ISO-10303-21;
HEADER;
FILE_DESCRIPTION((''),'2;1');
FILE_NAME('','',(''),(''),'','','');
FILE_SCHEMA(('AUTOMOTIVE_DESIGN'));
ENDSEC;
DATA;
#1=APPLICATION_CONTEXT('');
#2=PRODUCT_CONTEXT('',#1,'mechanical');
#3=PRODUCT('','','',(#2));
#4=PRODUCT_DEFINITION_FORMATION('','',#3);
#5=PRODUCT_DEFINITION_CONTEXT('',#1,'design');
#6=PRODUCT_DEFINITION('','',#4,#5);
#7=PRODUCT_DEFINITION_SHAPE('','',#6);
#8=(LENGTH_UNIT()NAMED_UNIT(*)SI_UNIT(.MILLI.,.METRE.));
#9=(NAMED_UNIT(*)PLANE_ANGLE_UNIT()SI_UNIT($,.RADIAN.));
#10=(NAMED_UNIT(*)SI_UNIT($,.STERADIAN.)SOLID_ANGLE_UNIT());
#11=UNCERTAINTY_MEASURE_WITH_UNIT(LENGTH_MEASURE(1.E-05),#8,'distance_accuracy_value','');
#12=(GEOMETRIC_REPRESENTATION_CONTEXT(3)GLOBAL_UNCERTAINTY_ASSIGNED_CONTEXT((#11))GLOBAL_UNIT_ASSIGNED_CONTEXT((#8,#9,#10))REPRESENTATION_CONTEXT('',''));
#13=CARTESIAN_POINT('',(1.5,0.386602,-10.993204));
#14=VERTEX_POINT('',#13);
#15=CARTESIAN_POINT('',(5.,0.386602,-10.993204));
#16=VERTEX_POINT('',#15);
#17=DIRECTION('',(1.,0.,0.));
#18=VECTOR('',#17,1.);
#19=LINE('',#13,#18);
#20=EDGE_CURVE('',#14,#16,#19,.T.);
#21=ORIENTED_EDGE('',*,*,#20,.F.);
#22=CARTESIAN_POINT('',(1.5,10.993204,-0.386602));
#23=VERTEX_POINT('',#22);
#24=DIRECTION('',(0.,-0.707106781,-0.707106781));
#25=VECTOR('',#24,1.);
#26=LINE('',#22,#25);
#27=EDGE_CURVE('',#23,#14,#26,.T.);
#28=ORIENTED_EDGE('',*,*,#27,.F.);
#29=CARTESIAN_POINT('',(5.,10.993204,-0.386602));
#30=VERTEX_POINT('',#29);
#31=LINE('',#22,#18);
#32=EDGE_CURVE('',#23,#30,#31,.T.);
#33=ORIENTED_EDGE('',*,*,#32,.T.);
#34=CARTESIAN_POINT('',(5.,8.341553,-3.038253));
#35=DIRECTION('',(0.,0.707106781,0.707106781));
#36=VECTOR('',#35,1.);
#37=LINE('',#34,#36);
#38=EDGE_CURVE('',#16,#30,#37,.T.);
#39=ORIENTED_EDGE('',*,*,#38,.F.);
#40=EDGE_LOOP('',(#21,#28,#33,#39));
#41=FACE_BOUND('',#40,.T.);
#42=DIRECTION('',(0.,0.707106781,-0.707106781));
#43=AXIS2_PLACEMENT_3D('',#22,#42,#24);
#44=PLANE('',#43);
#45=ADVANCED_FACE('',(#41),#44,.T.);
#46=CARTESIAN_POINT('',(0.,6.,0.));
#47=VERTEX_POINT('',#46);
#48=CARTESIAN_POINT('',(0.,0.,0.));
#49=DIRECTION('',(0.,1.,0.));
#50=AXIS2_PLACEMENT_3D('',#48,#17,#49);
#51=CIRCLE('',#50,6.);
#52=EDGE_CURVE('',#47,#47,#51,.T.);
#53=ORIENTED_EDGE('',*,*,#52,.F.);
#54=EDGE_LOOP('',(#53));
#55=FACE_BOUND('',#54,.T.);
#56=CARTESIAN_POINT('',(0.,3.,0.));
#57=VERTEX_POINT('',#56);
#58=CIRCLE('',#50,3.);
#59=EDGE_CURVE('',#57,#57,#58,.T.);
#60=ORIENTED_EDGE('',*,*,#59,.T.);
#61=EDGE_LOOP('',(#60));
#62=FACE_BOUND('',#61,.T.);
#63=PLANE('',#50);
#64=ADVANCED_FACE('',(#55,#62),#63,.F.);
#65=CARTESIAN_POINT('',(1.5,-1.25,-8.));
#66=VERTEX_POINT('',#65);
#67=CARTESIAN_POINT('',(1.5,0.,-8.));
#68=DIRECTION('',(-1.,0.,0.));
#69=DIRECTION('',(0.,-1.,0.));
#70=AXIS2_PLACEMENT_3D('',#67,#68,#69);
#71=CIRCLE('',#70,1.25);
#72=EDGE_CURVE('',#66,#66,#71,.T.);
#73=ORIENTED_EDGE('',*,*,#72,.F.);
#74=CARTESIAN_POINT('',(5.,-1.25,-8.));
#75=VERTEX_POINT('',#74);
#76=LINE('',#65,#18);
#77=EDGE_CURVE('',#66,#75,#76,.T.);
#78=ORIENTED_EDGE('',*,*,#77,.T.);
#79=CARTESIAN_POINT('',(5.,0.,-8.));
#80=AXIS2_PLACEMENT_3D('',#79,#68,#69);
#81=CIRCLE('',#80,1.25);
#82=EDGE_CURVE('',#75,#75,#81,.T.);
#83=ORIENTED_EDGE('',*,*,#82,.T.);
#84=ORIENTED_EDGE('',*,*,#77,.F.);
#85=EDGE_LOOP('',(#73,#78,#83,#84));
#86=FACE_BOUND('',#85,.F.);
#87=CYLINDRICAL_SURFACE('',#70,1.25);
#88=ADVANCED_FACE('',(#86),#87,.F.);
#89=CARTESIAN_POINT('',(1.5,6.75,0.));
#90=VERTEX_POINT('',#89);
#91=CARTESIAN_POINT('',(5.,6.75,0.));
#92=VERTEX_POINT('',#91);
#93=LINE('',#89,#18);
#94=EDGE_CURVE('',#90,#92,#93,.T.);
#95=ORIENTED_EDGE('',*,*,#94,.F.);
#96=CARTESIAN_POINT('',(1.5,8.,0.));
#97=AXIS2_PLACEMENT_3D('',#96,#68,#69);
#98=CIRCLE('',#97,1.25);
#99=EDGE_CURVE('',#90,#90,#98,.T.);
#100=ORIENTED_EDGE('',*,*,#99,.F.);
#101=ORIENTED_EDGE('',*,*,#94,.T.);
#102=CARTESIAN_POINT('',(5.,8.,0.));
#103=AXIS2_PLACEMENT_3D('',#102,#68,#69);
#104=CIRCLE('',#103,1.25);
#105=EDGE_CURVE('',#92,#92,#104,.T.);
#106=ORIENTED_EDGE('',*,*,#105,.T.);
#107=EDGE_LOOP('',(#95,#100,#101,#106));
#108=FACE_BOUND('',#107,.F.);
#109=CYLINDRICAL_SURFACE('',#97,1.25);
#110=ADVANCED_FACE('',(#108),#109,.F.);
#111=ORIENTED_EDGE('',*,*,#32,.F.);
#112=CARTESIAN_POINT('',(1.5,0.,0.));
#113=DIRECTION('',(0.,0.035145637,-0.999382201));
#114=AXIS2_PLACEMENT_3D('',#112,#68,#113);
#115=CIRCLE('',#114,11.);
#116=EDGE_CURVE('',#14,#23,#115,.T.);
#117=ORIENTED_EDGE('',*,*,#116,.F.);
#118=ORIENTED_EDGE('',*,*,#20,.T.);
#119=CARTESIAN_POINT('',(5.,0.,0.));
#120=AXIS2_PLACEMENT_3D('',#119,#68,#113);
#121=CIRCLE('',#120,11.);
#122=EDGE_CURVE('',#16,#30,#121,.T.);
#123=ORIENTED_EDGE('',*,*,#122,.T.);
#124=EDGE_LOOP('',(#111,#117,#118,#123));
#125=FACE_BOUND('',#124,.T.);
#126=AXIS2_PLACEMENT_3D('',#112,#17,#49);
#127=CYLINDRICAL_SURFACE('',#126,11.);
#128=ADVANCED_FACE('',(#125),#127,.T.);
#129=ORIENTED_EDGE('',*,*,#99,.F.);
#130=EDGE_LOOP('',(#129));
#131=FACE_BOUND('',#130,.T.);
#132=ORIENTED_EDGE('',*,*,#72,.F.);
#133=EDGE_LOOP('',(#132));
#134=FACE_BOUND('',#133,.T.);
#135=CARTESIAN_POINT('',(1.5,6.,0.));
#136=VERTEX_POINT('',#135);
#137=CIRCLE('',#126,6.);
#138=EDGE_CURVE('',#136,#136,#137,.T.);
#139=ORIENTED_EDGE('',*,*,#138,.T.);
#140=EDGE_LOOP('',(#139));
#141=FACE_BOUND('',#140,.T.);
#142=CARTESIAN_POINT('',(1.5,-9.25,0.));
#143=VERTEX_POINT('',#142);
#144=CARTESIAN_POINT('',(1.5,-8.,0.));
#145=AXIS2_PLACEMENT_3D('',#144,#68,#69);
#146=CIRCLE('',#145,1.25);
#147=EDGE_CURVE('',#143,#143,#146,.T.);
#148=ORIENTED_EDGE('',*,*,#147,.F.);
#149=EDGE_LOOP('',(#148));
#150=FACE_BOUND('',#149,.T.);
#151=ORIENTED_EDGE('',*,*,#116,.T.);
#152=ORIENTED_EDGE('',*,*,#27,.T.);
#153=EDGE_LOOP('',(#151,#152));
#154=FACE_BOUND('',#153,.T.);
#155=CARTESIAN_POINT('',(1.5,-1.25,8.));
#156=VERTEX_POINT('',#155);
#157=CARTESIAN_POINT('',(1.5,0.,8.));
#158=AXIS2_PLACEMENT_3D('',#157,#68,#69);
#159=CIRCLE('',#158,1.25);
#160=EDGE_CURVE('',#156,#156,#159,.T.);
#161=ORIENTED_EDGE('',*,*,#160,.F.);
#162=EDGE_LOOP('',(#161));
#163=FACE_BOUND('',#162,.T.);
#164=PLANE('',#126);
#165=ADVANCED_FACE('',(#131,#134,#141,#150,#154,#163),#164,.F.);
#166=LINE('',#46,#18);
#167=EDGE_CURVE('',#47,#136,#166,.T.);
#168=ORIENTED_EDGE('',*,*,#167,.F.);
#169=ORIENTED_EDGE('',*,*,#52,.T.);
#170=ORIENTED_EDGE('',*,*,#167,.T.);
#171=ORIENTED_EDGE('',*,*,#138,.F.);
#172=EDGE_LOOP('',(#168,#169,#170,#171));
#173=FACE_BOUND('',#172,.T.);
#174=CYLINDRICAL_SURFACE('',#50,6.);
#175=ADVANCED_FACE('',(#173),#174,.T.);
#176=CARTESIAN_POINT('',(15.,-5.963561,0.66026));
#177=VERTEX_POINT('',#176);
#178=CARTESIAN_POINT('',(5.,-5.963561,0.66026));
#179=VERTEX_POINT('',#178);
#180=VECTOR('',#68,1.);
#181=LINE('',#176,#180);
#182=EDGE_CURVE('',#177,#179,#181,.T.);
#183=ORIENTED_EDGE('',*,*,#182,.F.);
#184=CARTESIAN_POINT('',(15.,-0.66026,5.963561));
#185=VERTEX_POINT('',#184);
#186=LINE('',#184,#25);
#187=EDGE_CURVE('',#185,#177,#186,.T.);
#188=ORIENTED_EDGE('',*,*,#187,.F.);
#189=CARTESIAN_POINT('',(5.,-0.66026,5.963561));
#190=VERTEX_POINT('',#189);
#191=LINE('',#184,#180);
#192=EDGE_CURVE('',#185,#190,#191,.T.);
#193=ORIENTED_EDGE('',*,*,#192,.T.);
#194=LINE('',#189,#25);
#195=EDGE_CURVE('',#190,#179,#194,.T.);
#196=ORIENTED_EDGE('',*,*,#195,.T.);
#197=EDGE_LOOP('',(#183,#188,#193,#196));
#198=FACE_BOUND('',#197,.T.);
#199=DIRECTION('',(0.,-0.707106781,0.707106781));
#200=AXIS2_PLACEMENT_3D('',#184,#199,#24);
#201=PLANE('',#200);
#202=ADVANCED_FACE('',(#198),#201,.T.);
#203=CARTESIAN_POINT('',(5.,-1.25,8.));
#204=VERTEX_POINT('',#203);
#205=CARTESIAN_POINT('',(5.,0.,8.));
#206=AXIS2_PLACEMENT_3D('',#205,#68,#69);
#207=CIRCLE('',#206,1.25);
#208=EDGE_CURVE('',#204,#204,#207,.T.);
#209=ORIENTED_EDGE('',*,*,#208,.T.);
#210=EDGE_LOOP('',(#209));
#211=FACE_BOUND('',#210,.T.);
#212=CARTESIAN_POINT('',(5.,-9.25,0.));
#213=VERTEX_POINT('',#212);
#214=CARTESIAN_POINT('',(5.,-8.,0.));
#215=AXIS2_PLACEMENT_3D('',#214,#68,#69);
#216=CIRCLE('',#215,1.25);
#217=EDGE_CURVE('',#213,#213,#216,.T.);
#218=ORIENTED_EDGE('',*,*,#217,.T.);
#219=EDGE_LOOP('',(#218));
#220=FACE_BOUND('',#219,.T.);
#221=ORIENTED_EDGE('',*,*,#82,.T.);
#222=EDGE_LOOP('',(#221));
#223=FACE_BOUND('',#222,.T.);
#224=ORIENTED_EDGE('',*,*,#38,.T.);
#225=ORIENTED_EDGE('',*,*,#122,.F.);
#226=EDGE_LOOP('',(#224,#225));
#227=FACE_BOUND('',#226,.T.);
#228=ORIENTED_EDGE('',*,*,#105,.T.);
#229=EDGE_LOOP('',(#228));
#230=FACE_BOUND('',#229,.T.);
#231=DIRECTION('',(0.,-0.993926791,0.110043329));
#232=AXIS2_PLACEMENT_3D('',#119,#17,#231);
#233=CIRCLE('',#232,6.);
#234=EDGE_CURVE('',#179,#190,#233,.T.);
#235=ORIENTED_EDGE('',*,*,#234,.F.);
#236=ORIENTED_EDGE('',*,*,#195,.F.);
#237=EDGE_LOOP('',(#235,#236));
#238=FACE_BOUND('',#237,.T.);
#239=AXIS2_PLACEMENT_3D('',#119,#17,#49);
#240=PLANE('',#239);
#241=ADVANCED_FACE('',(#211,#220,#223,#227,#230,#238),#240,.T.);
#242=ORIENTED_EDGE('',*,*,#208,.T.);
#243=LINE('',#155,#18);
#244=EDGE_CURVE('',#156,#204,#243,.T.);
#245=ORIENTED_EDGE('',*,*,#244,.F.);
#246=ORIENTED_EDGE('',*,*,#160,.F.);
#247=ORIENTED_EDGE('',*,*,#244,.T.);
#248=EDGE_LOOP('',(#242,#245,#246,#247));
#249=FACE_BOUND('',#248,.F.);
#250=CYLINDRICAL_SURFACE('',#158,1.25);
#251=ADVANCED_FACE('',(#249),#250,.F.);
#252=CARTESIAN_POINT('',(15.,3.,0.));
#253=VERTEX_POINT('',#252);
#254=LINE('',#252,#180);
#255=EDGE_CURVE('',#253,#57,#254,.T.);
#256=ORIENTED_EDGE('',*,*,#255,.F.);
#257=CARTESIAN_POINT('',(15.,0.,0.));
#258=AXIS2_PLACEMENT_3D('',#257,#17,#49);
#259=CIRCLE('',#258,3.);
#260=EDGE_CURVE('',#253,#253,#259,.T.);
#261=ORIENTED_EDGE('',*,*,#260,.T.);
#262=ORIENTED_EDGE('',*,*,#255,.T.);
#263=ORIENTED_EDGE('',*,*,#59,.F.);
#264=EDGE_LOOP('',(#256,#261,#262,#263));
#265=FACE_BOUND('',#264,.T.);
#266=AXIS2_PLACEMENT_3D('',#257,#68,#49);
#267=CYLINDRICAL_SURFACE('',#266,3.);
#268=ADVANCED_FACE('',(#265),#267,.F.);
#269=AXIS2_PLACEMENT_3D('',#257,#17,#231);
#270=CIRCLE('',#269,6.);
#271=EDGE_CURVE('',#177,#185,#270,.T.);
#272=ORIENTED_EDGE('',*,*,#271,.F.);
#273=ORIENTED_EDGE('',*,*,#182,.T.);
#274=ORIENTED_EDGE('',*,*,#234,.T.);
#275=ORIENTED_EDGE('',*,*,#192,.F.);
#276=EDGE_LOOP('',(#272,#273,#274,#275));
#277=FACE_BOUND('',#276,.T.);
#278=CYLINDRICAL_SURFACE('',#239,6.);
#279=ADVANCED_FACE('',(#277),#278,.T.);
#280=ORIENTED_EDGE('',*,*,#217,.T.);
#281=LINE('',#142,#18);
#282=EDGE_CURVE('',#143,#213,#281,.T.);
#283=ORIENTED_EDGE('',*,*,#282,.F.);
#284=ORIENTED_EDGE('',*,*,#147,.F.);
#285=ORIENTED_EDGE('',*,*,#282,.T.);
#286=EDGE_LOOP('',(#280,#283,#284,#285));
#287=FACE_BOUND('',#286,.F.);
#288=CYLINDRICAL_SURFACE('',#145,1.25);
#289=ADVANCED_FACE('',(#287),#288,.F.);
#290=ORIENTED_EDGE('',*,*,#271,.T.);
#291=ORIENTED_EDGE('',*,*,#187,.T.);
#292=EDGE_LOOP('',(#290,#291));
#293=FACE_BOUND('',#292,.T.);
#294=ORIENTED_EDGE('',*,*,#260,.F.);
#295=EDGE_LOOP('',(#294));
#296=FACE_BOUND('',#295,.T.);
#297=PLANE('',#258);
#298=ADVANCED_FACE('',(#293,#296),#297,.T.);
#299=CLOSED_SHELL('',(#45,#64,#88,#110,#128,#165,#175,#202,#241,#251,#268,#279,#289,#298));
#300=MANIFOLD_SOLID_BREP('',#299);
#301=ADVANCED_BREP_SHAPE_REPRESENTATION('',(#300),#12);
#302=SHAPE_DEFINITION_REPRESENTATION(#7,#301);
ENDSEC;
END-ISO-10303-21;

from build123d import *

# Parameters (mm, degrees)
SKETCH001_R     = 1.25
POCKET_DEPTH    = 5
POCKET001_DEPTH = 5
POCKET002_DEPTH = 10


with BuildPart() as part:
    # Sketch → Revolution (revolve)
    with BuildSketch(Plane.XY):
        Polygon((0, 3), (0, 6), (1.5, 6), (1.5, 11), (5, 11), (5, 6), (15, 6), (15, 3), align=None)
    revolve(axis=Axis((0, 0, 0), (1, 0, 0)))

    # Sketch001 (on Face3 of Revolution) → Pocket (cut)
    with BuildSketch(Plane(origin=(1.5, 0, 0), x_dir=(0, -1, 0), z_dir=(-1, 0, 0))):
        with Locations((0, 8)):
            Circle(SKETCH001_R)
        with Locations((-8, 0)):
            Circle(SKETCH001_R)
        with Locations((8, 0)):
            Circle(SKETCH001_R)
        with Locations((0, -8)):
            Circle(SKETCH001_R)
    extrude(amount=-POCKET_DEPTH, mode=Mode.SUBTRACT)

    # Sketch004 (on Face5 of Pocket) → Pocket001 (cut)
    with BuildSketch(Plane(origin=(1.5, 0, 0), x_dir=(0, -1, 0), z_dir=(-1, 0, 0))):
        with BuildLine():
            Line((-10.993204, -0.386602), (-0.386602, -10.993204))
            ThreePointArc((-10.993204, -0.386602), (-7.778175, -7.778175), (-0.386602, -10.993204))
        make_face()
    extrude(amount=-POCKET001_DEPTH, mode=Mode.SUBTRACT)

    # Sketch005 (on Face4 of Pocket001) → Pocket002 (cut)
    with BuildSketch(Plane.YZ.offset(15)):
        with BuildLine():
            Line((-0.66026, 5.963561), (-5.963561, 0.66026))
            ThreePointArc((-0.66026, 5.963561), (-4.242641, 4.242641), (-5.963561, 0.66026))
        make_face()
    extrude(amount=-POCKET002_DEPTH, mode=Mode.SUBTRACT)


solid = part.part
